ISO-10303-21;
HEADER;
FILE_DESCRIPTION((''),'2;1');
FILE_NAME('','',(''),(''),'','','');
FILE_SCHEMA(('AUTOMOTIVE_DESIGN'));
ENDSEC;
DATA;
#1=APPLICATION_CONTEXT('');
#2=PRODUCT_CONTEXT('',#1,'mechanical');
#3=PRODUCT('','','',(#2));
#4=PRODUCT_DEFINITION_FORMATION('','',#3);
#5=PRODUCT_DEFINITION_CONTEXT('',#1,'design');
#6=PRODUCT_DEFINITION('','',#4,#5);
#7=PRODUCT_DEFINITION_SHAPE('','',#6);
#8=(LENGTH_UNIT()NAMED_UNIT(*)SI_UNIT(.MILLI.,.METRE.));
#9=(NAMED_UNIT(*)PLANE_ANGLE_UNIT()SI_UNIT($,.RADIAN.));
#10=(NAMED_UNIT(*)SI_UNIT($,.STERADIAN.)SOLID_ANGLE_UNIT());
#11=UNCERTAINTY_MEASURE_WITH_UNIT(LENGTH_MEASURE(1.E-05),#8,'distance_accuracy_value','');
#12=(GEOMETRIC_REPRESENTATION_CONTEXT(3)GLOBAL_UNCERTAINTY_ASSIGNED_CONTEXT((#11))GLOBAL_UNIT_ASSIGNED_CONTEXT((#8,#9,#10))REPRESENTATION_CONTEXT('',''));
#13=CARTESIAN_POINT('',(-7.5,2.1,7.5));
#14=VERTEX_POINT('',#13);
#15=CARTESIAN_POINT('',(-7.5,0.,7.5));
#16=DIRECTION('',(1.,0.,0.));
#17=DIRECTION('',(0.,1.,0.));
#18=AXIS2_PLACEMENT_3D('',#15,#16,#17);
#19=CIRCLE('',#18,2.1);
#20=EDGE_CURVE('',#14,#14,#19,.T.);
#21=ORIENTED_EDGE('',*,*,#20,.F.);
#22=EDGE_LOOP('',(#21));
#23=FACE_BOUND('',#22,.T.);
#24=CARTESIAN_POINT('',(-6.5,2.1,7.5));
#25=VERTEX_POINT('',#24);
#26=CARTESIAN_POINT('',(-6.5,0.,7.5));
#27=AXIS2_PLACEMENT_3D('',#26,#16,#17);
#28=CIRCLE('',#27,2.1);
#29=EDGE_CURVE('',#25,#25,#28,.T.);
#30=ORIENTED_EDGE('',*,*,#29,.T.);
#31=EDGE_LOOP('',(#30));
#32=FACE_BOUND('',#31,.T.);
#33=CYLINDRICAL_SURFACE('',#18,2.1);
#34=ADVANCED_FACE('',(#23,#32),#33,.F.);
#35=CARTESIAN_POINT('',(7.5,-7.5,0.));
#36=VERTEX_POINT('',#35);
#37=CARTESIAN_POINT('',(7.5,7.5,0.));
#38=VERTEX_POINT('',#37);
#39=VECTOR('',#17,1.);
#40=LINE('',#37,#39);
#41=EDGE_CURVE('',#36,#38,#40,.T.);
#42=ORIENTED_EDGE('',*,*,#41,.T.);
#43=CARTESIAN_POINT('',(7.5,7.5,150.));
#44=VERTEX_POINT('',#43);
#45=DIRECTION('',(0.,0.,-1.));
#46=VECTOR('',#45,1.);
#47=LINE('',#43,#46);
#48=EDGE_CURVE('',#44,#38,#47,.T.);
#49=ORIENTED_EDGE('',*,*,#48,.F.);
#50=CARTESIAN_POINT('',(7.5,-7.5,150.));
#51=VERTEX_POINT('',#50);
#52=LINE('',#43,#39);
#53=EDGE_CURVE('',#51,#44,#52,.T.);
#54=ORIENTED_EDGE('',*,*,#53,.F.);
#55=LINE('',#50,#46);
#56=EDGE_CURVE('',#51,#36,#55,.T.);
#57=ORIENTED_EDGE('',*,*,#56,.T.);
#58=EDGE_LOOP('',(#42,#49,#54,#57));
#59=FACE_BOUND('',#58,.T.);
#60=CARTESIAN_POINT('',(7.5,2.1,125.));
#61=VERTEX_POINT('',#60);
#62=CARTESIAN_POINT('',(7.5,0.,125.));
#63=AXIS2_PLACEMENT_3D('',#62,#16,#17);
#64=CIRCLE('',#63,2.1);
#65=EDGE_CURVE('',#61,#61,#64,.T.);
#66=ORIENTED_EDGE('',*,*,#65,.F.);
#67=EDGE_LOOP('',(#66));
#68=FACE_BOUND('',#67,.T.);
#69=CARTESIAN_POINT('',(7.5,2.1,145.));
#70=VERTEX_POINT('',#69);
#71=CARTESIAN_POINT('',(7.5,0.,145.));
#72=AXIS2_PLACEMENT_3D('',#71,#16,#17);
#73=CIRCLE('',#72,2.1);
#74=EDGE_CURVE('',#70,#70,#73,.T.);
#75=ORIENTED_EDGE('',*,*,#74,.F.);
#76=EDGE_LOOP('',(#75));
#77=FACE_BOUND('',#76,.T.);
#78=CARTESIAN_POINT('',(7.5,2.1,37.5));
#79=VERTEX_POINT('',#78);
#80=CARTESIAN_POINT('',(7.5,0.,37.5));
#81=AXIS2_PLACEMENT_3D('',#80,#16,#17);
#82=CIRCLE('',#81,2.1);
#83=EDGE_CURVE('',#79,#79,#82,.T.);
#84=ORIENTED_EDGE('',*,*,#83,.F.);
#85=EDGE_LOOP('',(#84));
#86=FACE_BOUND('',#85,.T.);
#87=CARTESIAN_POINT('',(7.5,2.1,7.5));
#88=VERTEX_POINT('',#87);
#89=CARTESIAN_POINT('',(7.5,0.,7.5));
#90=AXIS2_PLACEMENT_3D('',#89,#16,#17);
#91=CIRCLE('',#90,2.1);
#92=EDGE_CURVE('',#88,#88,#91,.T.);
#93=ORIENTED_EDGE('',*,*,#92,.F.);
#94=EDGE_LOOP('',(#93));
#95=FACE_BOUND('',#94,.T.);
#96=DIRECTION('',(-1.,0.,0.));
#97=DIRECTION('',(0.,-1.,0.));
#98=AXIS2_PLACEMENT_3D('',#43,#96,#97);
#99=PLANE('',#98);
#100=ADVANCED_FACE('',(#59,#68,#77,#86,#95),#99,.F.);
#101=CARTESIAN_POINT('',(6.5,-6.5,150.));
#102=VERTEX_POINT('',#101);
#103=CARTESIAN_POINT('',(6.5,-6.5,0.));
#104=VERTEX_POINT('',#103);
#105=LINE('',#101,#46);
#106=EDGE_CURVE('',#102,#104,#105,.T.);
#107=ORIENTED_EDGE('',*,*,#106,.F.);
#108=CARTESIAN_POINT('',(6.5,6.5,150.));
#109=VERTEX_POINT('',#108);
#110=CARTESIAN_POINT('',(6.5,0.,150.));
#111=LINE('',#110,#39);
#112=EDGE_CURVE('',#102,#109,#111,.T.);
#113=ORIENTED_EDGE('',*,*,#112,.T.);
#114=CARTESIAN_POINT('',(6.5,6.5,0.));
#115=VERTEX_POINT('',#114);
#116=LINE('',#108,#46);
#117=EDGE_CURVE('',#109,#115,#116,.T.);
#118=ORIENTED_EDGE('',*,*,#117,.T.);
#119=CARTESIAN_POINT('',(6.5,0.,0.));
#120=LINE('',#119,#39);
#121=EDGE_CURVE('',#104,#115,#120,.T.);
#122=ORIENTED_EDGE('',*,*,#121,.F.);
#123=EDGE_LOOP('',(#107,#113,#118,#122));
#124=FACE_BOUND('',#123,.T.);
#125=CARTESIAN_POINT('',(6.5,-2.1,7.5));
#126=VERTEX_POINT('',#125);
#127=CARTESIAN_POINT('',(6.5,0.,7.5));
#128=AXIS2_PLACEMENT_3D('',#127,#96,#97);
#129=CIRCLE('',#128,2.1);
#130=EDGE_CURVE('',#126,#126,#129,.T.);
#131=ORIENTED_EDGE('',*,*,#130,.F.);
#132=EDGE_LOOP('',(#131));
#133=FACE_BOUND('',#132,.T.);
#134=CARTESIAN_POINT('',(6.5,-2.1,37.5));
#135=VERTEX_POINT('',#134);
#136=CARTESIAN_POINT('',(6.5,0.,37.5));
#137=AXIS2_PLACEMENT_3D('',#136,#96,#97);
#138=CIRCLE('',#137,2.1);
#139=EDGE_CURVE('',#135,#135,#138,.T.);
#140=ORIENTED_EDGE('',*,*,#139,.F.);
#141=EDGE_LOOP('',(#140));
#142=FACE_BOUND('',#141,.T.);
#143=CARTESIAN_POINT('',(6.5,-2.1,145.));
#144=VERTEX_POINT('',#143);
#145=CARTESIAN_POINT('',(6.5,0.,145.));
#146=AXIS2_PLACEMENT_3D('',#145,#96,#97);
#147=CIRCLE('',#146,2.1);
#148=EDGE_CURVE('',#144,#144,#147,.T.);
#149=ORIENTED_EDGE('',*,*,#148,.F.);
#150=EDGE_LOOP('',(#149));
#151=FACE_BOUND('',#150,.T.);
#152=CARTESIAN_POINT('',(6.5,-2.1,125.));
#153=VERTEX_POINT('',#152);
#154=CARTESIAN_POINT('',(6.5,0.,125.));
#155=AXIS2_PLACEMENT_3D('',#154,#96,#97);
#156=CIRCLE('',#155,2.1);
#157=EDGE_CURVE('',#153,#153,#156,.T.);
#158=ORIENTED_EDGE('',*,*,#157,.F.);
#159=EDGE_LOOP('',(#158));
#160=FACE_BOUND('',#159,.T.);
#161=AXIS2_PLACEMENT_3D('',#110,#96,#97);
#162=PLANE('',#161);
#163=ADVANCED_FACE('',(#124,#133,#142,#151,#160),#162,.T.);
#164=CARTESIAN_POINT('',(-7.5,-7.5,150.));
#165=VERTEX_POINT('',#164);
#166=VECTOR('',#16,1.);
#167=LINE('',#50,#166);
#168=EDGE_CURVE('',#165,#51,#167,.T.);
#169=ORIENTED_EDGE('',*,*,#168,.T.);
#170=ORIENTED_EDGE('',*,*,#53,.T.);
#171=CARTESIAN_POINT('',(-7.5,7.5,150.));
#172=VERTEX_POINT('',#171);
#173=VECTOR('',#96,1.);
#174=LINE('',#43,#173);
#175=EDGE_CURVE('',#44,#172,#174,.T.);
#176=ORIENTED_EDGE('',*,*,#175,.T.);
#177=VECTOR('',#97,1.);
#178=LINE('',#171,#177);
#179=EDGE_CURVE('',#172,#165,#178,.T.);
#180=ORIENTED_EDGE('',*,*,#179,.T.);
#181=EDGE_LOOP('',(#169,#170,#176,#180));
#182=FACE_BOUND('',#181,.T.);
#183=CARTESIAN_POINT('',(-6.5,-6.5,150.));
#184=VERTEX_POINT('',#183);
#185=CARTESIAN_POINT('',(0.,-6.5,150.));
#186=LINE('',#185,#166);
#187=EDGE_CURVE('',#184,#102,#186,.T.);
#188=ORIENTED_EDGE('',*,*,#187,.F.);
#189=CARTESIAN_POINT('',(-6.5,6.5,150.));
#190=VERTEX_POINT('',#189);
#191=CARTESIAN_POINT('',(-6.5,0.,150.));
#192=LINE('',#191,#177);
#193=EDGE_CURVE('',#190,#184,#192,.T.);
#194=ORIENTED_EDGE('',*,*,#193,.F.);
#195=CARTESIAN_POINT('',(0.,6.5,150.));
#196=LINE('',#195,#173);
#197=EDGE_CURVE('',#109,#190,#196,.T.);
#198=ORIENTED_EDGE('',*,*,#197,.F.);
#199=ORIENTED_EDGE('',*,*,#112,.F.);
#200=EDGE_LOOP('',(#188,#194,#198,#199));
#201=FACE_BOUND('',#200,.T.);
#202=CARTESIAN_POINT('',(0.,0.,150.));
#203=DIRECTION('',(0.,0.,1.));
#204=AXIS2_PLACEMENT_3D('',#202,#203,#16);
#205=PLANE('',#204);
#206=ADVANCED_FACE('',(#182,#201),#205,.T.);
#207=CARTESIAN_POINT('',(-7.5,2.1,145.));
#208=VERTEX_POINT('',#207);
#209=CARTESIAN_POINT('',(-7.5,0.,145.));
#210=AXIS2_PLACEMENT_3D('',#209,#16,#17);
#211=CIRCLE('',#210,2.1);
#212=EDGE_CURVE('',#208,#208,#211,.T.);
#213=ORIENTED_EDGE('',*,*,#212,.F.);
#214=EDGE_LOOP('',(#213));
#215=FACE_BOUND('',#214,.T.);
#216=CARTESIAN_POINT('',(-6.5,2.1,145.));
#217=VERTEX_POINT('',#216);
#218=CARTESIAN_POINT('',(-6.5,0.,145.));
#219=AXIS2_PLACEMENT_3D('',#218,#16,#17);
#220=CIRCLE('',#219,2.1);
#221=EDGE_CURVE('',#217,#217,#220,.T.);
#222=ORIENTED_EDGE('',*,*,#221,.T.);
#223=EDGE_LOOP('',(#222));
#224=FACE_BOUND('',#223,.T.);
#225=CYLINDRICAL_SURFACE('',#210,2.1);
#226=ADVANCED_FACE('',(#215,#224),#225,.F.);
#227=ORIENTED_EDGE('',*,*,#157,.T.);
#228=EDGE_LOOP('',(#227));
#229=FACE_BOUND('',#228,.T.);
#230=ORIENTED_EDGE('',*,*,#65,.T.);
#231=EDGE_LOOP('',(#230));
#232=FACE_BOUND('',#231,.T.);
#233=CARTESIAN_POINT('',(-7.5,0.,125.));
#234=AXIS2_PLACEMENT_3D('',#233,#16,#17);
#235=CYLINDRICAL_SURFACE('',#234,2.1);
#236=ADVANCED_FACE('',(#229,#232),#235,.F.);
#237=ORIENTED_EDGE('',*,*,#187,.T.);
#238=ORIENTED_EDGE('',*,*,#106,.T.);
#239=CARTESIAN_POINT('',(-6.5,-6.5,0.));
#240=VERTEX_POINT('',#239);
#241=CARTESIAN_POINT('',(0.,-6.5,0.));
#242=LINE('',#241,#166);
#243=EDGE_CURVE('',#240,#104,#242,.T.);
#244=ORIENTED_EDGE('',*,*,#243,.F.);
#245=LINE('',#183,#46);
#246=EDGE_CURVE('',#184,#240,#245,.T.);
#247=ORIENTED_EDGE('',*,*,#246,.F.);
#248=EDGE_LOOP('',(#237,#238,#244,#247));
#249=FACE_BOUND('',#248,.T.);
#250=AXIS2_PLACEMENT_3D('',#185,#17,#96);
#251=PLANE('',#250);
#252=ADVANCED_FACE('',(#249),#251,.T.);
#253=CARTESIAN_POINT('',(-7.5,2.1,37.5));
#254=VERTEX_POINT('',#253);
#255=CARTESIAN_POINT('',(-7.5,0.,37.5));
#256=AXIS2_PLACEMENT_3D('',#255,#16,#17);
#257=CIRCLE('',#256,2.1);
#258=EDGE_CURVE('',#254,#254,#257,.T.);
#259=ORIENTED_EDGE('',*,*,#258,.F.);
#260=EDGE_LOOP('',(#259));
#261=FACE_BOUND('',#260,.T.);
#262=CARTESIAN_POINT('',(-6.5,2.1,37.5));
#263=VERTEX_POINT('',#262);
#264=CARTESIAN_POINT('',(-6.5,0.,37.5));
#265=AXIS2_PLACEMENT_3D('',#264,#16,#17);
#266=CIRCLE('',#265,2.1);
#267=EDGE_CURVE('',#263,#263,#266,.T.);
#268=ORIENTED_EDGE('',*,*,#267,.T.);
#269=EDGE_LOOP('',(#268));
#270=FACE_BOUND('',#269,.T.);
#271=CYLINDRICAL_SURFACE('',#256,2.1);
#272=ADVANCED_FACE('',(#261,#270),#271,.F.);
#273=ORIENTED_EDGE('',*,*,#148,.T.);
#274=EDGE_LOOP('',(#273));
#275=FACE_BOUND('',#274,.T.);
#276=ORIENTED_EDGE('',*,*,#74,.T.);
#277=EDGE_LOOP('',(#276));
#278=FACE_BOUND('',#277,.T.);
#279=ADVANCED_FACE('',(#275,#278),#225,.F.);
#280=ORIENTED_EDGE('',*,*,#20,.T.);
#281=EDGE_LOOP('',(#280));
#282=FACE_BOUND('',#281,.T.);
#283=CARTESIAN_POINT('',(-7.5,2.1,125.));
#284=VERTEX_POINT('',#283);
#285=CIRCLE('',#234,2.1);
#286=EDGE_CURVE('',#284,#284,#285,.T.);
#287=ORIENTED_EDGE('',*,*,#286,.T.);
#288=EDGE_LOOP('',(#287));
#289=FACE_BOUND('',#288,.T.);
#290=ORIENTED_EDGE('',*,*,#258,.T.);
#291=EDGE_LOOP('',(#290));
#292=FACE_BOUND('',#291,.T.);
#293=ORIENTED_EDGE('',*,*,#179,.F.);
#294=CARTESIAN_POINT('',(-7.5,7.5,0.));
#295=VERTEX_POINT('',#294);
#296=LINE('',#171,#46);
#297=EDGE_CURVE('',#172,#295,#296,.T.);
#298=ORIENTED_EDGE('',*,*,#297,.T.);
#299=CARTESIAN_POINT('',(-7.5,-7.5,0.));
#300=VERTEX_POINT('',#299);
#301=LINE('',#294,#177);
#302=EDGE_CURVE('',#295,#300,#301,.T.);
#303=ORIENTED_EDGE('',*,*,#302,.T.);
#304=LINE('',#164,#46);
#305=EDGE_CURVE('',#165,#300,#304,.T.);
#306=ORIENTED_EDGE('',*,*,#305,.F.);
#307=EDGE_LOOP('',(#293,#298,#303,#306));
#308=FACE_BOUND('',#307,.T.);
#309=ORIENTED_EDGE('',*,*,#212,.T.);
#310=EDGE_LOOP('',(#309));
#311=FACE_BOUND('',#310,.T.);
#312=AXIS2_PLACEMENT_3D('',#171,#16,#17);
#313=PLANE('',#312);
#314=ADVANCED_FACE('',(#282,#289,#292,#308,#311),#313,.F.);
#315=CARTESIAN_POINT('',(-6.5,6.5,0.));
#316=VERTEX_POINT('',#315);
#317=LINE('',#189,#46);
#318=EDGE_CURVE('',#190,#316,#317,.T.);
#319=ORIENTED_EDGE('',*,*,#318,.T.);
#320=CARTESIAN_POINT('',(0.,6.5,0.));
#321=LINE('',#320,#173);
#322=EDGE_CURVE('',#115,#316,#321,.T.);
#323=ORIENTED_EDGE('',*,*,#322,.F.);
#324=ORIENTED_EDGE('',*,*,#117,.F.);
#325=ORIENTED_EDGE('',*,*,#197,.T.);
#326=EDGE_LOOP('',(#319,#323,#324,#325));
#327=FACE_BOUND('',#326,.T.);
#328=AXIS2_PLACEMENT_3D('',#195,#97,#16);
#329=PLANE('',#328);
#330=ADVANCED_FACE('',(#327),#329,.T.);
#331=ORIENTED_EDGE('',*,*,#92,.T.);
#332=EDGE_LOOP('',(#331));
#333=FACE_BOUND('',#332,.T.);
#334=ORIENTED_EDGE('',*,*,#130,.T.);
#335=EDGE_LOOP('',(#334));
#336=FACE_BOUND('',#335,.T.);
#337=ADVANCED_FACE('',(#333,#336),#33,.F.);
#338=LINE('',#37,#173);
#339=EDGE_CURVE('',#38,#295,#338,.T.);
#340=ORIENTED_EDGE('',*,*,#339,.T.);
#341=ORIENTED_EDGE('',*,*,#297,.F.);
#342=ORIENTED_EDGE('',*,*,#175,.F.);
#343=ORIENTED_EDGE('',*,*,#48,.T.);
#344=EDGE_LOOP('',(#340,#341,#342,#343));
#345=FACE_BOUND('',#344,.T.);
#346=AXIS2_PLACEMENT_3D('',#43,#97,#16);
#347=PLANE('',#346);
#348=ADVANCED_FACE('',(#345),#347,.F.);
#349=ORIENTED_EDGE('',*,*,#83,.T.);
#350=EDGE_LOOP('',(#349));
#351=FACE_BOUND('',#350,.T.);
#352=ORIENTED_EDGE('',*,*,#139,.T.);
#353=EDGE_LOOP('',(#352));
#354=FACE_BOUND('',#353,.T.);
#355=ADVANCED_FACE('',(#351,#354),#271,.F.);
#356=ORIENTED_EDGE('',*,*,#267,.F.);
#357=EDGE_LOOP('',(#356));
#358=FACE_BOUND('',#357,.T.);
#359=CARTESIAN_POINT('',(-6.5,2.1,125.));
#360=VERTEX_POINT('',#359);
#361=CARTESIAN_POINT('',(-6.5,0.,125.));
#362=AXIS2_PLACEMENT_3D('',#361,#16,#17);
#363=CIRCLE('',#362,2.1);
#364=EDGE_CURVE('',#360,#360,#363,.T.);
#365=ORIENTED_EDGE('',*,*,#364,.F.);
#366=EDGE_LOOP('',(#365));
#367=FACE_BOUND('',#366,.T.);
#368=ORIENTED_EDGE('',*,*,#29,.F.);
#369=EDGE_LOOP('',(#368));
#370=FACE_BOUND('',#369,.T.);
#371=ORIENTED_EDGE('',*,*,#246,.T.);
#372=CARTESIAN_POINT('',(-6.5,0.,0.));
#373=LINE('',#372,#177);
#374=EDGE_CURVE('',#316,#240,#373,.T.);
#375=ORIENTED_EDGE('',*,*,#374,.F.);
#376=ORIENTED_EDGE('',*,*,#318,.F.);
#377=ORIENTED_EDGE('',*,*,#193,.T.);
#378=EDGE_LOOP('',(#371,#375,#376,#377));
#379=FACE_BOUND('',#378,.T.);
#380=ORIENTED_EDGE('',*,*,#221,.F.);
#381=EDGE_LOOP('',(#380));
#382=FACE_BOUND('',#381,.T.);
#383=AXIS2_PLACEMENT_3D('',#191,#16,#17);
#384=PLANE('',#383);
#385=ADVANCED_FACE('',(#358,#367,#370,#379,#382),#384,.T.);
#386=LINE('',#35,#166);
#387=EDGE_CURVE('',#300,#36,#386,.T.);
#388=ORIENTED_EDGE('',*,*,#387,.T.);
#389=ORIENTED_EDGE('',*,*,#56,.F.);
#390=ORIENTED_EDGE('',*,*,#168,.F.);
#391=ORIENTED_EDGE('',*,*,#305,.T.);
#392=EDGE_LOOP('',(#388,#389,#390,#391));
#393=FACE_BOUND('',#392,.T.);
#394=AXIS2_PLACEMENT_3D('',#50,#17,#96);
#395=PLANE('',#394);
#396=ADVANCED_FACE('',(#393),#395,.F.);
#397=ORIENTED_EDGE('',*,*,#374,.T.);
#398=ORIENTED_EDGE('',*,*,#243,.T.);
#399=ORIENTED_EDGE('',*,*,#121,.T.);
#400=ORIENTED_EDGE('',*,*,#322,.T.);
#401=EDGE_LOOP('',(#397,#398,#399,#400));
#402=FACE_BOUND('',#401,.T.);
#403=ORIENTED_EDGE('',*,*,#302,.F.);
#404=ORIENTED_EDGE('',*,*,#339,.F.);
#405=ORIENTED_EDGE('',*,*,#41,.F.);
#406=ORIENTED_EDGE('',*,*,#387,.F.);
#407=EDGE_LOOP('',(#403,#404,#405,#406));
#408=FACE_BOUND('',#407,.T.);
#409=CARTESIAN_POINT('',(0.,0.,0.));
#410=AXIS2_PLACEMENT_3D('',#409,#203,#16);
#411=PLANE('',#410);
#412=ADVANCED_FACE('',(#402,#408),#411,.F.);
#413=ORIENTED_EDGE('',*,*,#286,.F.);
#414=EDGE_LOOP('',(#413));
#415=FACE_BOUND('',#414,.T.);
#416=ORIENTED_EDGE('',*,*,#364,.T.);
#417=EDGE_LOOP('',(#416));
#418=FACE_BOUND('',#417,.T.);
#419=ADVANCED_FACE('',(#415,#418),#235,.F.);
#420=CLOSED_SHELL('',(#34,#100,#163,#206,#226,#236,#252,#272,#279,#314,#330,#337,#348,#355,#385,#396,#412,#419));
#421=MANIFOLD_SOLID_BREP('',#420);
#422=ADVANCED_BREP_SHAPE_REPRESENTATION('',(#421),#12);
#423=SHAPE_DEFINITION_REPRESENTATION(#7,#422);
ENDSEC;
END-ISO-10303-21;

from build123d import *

# Parameters (mm, degrees)
SKETCH_1_W          = 15
SKETCH_1_H          = 15
SKETCH_1_W_2        = 13
SKETCH_1_H_2        = 13
EXTRUDE_1_DEPTH     = 150
SKETCH_2_R          = 2.1
CUT_EXTRUDE_1_DEPTH = 151.934588481
SKETCH_4_R          = 2.1
CUT_EXTRUDE_3_DEPTH = 151.934588481


with BuildPart() as part:
    # ｽｹｯﾁ1 → 押し出し-薄板1 (new body)
    with BuildSketch(Plane.XY):
        Rectangle(SKETCH_1_W, SKETCH_1_H)
        Rectangle(SKETCH_1_W_2, SKETCH_1_H_2, mode=Mode.SUBTRACT)
    extrude(amount=EXTRUDE_1_DEPTH)

    # ｽｹｯﾁ2 → ｶｯﾄ - 押し出し1 (cut, through all)
    with BuildSketch(Plane(origin=(7.5, 0, 0), x_dir=(0, 0, -1), z_dir=(1, 0, 0))):
        with Locations(Location((-7.5, 0, 0), (0, 0, 90))):
            Circle(SKETCH_2_R)
        with Locations(Location((-37.5, 0, 0), (0, 0, 90))):
            Circle(SKETCH_2_R)
    extrude(amount=-CUT_EXTRUDE_1_DEPTH, mode=Mode.SUBTRACT)

    # ｽｹｯﾁ4 → ｶｯﾄ - 押し出し3 (cut, through all)
    with BuildSketch(Plane(origin=(7.5, 0, 0), x_dir=(0, 0, -1), z_dir=(1, 0, 0))):
        with Locations(Location((-145, 0, 0), (0, 0, 90))):
            Circle(SKETCH_4_R)
        with Locations(Location((-125, 0, 0), (0, 0, 90))):
            Circle(SKETCH_4_R)
    extrude(amount=-CUT_EXTRUDE_3_DEPTH, mode=Mode.SUBTRACT)


solid = part.part
